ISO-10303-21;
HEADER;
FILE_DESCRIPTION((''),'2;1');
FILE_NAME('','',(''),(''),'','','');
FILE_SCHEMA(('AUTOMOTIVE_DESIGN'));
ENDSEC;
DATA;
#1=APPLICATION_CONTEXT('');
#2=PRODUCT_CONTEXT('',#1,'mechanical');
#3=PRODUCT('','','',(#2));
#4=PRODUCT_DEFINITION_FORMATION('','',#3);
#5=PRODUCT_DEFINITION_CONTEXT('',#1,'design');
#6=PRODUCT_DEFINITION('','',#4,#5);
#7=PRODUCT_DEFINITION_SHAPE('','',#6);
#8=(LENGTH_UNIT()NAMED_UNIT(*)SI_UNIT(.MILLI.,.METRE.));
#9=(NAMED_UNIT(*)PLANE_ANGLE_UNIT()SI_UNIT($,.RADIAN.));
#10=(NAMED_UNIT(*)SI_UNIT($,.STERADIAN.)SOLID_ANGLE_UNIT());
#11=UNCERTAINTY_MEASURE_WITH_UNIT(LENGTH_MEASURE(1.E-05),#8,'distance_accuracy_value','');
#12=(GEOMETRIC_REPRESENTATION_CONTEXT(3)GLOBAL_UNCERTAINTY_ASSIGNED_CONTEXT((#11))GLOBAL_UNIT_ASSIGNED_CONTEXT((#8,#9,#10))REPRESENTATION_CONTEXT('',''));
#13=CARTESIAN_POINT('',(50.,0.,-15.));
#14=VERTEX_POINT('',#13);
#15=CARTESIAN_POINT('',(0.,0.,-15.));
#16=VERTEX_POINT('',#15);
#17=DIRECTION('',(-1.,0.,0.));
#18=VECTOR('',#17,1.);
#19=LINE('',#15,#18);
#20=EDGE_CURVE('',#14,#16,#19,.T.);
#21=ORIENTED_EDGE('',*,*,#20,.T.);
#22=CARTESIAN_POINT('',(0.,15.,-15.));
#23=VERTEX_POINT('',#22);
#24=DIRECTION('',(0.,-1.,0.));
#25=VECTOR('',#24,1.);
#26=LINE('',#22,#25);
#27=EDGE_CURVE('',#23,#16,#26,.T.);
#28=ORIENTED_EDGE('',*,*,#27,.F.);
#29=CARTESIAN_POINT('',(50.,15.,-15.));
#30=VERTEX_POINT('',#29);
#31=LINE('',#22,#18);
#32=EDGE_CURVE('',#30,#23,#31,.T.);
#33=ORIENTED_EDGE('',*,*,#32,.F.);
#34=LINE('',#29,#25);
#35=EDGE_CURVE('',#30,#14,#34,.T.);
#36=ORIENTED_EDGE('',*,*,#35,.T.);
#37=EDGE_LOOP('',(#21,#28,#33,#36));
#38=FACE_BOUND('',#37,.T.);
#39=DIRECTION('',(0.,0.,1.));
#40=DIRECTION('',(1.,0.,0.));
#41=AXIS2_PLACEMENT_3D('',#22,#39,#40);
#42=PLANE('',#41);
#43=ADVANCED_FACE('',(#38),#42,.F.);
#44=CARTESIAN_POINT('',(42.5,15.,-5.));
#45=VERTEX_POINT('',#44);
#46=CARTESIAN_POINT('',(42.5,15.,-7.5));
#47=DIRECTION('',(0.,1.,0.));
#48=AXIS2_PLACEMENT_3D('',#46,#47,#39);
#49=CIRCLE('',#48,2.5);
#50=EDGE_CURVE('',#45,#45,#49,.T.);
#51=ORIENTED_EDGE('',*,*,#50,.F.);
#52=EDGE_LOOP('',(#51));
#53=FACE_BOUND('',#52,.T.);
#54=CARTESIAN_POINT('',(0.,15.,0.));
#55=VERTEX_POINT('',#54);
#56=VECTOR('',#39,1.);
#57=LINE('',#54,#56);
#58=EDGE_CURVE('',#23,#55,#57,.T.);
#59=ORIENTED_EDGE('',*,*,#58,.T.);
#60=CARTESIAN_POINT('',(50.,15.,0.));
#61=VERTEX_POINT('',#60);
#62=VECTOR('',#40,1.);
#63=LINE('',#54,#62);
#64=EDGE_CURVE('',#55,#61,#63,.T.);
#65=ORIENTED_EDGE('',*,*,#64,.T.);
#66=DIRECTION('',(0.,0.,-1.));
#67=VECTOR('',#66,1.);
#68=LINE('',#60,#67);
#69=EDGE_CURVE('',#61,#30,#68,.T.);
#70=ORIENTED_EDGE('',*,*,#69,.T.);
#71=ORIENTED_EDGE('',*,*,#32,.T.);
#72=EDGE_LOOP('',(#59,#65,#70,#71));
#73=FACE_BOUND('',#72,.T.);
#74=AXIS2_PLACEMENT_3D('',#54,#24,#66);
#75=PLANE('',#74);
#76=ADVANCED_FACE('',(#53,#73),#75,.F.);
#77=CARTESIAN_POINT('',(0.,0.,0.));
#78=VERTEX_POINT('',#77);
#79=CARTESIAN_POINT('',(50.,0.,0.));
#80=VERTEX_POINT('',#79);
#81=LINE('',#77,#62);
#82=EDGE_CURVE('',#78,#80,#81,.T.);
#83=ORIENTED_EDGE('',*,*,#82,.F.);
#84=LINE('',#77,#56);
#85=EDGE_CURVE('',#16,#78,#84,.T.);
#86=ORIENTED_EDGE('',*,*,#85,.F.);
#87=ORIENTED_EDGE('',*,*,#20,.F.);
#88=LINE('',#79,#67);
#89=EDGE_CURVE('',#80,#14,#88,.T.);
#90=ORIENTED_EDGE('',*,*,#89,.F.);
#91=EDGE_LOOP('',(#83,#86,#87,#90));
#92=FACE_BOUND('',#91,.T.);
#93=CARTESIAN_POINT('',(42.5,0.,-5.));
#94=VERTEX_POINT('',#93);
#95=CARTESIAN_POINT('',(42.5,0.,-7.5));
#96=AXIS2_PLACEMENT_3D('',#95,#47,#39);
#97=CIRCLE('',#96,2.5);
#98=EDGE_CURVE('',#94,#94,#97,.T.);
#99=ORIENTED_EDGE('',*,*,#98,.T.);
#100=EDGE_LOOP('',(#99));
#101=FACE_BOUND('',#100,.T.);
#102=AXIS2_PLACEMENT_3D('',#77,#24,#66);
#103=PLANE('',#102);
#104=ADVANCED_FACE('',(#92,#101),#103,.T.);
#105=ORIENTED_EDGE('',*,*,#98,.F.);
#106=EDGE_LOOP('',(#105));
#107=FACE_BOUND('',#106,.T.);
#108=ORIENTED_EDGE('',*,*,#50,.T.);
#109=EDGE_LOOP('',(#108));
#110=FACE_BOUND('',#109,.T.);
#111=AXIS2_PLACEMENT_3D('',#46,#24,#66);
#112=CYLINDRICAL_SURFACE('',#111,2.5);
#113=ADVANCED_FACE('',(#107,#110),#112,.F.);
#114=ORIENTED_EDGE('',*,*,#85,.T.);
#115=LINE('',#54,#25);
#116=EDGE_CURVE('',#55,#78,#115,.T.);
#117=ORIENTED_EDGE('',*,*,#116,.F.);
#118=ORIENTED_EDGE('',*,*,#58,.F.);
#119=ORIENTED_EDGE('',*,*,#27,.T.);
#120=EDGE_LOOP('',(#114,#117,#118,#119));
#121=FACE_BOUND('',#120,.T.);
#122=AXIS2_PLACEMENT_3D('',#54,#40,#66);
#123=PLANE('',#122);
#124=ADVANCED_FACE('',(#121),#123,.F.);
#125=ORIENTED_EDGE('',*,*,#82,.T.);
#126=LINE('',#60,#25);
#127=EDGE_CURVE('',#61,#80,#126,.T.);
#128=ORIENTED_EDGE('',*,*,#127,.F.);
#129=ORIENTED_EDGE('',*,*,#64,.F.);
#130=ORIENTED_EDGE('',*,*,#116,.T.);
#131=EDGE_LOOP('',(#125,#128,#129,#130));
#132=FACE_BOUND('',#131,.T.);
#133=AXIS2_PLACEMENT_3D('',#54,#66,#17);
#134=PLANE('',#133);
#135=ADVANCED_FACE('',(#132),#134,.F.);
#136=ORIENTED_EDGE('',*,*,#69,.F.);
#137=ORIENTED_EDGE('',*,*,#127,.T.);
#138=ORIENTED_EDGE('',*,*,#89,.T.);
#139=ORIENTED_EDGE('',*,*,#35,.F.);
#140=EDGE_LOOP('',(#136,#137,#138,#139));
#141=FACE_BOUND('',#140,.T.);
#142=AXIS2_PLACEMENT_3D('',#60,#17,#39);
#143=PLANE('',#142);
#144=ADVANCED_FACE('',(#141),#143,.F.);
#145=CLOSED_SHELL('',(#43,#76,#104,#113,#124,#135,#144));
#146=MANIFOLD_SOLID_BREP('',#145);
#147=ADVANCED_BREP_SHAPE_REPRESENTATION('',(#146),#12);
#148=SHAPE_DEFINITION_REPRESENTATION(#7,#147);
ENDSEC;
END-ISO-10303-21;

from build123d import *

# Parameters (mm, degrees)
SKETCH1_W           = 50
SKETCH1_H           = 15
SKETCH1_R           = 2.5
BOSS_EXTRUDE1_DEPTH = 15


with BuildPart() as part:
    # Sketch1 → Boss-Extrude1 (new body)
    with BuildSketch(Plane(origin=(0, 0, 0), x_dir=(1, 0, 0), z_dir=(0, 1, 0))):
        with Locations((25, 7.5)):
            Rectangle(SKETCH1_W, SKETCH1_H)
        with Locations((42.5, 7.5)):
            Circle(SKETCH1_R, mode=Mode.SUBTRACT)
    extrude(amount=BOSS_EXTRUDE1_DEPTH)


solid = part.part
